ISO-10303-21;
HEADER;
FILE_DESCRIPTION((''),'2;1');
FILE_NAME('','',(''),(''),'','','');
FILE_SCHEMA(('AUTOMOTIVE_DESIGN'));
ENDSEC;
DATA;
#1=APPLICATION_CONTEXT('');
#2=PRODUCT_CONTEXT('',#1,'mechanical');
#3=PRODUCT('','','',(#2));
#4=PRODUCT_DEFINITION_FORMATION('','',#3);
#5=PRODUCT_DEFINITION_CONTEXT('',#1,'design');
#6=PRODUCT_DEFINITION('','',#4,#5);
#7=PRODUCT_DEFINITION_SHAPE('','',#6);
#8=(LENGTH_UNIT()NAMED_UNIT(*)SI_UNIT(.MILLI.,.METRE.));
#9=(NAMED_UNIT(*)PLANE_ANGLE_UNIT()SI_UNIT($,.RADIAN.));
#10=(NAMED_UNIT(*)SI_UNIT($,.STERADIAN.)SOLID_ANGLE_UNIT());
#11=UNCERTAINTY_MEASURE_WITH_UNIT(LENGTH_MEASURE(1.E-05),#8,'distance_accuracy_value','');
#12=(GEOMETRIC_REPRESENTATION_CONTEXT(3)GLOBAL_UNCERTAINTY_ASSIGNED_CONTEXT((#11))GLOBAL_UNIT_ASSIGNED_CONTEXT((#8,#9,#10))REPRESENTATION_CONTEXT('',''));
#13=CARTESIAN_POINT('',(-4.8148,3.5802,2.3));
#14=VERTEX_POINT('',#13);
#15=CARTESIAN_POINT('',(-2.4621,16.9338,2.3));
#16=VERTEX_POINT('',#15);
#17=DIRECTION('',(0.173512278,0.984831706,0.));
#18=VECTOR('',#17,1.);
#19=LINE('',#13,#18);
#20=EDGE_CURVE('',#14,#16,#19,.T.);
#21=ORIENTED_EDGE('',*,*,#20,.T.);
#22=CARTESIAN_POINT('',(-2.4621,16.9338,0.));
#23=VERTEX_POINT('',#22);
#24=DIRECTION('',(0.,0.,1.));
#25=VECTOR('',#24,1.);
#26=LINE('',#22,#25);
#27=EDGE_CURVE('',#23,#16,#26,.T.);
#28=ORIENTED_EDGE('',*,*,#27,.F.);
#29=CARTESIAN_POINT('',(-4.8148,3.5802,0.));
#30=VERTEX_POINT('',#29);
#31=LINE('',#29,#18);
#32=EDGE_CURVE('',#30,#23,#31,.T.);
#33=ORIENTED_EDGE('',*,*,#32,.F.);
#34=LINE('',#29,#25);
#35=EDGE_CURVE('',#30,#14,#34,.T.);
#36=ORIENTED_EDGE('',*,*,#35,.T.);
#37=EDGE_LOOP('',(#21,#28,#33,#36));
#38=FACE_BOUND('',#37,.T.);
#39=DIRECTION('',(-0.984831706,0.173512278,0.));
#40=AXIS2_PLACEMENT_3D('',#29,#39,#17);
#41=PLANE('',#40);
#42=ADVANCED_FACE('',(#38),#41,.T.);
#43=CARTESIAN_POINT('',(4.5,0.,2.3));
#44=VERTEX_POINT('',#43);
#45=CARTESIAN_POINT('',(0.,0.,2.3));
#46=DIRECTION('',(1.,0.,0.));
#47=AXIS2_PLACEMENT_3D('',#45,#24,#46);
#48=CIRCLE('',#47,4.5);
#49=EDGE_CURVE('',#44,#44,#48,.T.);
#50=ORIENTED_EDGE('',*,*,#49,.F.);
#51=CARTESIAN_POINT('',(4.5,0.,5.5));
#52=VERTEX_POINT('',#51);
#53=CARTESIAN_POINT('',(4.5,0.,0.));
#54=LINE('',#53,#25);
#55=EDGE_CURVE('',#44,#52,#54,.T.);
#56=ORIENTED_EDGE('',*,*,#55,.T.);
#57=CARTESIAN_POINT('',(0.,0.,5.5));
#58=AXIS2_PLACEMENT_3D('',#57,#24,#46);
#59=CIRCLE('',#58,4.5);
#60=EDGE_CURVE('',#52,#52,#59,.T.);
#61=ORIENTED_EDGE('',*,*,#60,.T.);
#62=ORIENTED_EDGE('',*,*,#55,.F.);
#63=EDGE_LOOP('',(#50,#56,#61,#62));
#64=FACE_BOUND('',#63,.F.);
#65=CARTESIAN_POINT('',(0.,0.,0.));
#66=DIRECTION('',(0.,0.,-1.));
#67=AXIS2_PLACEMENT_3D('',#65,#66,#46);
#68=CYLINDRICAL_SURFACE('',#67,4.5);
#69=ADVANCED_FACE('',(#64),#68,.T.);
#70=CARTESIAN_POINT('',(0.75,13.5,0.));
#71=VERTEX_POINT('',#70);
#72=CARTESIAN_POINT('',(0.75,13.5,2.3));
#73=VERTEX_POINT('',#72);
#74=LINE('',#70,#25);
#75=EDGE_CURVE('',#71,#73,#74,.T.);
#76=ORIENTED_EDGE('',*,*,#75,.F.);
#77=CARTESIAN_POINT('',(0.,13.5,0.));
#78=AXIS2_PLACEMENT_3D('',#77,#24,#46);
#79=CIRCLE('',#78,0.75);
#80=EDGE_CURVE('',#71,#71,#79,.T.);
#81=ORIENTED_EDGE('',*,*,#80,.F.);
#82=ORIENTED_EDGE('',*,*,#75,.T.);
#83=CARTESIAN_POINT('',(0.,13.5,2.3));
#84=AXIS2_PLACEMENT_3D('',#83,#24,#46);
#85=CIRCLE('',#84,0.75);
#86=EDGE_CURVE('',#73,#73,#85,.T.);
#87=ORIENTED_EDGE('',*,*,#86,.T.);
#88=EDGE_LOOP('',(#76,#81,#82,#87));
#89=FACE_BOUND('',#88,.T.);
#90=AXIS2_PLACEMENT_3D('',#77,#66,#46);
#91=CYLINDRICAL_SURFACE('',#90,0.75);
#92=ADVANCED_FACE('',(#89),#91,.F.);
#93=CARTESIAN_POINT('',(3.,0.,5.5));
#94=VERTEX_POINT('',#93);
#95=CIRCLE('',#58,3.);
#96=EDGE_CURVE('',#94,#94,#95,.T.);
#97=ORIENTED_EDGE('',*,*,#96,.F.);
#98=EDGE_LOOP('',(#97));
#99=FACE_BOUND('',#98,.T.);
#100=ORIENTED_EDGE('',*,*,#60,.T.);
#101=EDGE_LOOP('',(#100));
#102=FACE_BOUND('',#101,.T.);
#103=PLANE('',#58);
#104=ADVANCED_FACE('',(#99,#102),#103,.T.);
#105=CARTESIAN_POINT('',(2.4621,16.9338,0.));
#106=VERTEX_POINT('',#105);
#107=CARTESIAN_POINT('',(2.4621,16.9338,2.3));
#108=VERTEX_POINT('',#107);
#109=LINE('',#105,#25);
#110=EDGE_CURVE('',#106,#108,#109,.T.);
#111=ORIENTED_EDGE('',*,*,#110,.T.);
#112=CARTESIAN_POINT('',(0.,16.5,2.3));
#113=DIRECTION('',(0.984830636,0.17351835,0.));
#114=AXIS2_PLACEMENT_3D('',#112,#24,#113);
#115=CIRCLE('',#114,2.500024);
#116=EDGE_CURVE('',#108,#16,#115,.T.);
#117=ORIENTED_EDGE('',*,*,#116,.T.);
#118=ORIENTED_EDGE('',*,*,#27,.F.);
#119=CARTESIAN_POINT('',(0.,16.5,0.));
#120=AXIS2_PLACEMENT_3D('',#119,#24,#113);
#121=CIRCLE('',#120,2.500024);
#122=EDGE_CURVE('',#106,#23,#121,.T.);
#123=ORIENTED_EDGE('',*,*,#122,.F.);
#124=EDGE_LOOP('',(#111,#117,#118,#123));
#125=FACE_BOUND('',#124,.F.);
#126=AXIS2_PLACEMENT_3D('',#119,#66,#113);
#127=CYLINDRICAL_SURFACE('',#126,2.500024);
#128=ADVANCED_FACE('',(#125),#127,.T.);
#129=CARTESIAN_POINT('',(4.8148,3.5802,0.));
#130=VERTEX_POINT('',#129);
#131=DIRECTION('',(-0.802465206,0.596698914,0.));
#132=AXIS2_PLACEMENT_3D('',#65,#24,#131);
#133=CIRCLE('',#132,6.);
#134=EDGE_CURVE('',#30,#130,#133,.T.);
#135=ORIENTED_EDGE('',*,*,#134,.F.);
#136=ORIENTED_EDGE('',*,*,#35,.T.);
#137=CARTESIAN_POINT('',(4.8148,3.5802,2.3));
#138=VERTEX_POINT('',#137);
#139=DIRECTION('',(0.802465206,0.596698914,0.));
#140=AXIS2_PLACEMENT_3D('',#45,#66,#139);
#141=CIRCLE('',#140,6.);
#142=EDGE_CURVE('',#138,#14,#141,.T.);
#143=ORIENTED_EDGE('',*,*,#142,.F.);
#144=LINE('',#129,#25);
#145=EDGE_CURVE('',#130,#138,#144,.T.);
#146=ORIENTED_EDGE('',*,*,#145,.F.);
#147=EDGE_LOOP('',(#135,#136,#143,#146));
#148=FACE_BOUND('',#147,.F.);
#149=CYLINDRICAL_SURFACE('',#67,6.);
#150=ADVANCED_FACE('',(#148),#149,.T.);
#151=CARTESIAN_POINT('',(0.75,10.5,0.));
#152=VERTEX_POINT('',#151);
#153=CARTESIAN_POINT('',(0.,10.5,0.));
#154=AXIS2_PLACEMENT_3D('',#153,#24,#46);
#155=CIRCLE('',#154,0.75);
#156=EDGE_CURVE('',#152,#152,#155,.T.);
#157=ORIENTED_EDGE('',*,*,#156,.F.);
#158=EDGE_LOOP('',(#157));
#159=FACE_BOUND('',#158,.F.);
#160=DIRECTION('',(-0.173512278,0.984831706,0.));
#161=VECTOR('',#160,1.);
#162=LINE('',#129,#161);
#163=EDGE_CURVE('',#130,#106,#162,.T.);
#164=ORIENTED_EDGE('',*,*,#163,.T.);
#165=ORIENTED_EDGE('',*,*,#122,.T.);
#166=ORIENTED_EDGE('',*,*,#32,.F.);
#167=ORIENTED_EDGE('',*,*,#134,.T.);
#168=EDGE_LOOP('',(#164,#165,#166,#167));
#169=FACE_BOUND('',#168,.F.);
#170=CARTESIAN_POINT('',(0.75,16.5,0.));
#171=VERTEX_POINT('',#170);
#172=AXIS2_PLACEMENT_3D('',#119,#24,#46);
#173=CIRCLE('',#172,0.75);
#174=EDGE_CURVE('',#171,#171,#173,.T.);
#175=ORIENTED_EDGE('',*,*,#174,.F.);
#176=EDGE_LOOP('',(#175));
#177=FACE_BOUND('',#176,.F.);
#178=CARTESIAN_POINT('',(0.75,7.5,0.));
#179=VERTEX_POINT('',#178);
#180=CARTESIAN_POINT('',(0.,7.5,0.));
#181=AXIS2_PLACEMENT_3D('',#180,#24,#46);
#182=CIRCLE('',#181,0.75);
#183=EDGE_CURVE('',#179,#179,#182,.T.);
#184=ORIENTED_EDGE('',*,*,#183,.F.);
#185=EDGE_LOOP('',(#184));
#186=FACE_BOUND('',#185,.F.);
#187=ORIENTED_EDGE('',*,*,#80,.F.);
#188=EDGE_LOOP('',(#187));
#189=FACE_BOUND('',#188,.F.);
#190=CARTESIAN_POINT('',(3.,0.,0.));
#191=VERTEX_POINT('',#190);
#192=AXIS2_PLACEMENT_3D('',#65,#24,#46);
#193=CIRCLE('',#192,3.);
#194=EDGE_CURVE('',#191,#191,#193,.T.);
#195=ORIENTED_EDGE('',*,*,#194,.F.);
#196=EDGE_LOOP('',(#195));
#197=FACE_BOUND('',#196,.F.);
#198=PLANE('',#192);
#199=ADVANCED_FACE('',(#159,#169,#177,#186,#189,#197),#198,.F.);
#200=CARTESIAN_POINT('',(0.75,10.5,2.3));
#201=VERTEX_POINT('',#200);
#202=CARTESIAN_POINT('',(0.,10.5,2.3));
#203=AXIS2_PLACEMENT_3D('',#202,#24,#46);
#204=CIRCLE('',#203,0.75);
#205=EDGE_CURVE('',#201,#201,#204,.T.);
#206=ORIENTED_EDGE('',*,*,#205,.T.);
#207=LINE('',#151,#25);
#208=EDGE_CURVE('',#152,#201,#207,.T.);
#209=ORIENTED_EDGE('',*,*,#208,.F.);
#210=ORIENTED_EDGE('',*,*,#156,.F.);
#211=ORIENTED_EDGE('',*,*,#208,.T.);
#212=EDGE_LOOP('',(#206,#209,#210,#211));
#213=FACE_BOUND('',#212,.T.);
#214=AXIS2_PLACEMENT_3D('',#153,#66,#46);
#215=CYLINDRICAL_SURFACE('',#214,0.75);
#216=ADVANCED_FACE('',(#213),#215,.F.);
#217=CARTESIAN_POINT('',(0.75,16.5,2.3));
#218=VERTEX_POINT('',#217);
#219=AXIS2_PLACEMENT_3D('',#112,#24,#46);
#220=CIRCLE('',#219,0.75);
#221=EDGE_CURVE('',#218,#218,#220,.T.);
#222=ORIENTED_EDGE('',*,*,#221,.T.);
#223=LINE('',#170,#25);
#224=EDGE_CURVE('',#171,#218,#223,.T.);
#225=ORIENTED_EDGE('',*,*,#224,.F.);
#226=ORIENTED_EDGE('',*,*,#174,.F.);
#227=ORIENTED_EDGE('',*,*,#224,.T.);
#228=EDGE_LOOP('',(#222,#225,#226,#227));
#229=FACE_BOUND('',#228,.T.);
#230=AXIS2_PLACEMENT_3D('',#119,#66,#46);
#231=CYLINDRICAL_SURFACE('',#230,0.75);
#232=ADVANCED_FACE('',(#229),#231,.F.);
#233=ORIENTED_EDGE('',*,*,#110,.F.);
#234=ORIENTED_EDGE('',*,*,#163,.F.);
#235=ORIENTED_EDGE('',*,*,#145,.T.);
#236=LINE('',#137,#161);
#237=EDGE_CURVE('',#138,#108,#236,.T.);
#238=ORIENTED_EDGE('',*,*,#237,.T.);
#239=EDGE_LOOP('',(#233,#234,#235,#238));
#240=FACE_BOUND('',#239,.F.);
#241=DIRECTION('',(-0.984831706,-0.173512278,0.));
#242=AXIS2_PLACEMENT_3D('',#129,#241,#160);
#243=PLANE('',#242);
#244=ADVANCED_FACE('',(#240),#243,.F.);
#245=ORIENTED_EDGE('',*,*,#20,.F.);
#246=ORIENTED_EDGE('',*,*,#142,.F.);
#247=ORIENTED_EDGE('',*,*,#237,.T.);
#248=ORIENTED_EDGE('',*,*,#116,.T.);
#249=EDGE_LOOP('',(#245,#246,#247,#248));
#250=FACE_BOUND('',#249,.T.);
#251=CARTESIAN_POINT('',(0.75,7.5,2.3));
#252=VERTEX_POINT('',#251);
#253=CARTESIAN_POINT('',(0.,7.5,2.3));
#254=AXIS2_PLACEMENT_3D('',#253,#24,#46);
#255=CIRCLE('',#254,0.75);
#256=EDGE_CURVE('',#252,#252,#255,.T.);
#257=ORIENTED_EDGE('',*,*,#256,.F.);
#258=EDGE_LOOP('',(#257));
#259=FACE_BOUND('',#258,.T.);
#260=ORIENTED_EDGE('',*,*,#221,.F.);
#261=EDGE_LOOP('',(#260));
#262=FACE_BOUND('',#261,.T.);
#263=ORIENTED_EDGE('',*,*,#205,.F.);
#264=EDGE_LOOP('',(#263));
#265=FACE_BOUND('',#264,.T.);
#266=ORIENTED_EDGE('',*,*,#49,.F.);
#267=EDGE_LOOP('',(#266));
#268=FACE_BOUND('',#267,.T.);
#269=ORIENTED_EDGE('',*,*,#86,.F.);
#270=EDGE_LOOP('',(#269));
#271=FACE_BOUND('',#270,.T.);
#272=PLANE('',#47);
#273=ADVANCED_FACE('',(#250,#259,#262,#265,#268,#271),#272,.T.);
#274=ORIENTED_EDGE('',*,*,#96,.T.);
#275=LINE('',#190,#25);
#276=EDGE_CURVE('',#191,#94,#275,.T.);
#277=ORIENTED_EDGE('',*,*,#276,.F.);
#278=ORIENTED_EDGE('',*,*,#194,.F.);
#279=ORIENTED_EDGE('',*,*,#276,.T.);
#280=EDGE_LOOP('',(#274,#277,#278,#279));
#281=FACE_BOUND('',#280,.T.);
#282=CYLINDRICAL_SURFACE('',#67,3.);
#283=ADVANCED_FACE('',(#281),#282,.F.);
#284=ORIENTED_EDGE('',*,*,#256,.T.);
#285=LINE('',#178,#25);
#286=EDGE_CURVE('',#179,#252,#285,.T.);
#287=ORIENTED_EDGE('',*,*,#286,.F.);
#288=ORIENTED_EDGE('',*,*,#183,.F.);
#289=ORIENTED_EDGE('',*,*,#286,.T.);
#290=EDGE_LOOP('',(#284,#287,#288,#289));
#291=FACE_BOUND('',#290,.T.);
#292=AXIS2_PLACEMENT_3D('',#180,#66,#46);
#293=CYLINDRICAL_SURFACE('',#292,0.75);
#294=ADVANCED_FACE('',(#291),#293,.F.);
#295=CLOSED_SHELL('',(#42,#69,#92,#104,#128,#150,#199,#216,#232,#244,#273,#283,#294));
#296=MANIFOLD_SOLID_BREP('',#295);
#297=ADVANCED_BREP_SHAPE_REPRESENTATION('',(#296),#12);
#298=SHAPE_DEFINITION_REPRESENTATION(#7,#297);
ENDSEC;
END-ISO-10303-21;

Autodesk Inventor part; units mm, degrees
ref_plane "YZ Plane" through (0, 0, 0) normal (1, 0, 0) x (0, 1, 0)
ref_plane "XZ Plane" through (0, 0, 0) normal (0, 1, 0) x (-1, 0, 0)
ref_plane "XY Plane" through (0, 0, 0) normal (0, 0, 1) x (1, 0, 0)
sketch "Sketch1" plane through (0, 0, 0) normal (0, 0, 1) x (1, 0, 0)
  circle A0 centre (0, 0) radius 6
  circle A1 centre (0, 0) radius 4.5
  circle A2 centre (0, 0) radius 3
  arc A3 (2.4621, 16.9338) -> (-2.4621, 16.9338) centre (0, 16.5) ccw
  line L0 (0, 16.5) -> (0, 0) construction
  line L1 (4.8148, 3.5802) -> (2.4621, 16.9338)
  line L2 (-4.8148, 3.5802) -> (-2.4621, 16.9338)
  circle A4 centre (0, 16.5) radius 0.75
  circle A5 centre (0, 10.5) radius 0.75
  circle A6 centre (0, 7.5) radius 0.75
  circle A7 centre (0, 13.5) radius 0.75
  dimension "d0" = 12
  dimension "d1" = 9
  dimension "d2" = 6
  dimension "d3" = 5
  dimension "d4" = 16.5
  dimension "d5" = 1.5
  dimension "d6" = 1.5
  dimension "d7" = 1.5
  dimension "d8" = 1.5
  dimension "d10" = 16.5
  dimension "d11" = 13.5
  dimension "d12" = 10.5
  dimension "d13" = 7.5
extrude "Extrusion1" add sketch "Sketch1" along normal blind 2.3 contours A0 | A0 L2 A3 L1
extrude "Extrusion2" add sketch "Sketch1" along normal blind 5.5 contours A1
equation "\"d6\" = d5"
equation "\"d7\" = d5"
equation "\"d8\" = d9"
equation "\"d9\" = 1.5"
properties part number "adattatore per motore"
